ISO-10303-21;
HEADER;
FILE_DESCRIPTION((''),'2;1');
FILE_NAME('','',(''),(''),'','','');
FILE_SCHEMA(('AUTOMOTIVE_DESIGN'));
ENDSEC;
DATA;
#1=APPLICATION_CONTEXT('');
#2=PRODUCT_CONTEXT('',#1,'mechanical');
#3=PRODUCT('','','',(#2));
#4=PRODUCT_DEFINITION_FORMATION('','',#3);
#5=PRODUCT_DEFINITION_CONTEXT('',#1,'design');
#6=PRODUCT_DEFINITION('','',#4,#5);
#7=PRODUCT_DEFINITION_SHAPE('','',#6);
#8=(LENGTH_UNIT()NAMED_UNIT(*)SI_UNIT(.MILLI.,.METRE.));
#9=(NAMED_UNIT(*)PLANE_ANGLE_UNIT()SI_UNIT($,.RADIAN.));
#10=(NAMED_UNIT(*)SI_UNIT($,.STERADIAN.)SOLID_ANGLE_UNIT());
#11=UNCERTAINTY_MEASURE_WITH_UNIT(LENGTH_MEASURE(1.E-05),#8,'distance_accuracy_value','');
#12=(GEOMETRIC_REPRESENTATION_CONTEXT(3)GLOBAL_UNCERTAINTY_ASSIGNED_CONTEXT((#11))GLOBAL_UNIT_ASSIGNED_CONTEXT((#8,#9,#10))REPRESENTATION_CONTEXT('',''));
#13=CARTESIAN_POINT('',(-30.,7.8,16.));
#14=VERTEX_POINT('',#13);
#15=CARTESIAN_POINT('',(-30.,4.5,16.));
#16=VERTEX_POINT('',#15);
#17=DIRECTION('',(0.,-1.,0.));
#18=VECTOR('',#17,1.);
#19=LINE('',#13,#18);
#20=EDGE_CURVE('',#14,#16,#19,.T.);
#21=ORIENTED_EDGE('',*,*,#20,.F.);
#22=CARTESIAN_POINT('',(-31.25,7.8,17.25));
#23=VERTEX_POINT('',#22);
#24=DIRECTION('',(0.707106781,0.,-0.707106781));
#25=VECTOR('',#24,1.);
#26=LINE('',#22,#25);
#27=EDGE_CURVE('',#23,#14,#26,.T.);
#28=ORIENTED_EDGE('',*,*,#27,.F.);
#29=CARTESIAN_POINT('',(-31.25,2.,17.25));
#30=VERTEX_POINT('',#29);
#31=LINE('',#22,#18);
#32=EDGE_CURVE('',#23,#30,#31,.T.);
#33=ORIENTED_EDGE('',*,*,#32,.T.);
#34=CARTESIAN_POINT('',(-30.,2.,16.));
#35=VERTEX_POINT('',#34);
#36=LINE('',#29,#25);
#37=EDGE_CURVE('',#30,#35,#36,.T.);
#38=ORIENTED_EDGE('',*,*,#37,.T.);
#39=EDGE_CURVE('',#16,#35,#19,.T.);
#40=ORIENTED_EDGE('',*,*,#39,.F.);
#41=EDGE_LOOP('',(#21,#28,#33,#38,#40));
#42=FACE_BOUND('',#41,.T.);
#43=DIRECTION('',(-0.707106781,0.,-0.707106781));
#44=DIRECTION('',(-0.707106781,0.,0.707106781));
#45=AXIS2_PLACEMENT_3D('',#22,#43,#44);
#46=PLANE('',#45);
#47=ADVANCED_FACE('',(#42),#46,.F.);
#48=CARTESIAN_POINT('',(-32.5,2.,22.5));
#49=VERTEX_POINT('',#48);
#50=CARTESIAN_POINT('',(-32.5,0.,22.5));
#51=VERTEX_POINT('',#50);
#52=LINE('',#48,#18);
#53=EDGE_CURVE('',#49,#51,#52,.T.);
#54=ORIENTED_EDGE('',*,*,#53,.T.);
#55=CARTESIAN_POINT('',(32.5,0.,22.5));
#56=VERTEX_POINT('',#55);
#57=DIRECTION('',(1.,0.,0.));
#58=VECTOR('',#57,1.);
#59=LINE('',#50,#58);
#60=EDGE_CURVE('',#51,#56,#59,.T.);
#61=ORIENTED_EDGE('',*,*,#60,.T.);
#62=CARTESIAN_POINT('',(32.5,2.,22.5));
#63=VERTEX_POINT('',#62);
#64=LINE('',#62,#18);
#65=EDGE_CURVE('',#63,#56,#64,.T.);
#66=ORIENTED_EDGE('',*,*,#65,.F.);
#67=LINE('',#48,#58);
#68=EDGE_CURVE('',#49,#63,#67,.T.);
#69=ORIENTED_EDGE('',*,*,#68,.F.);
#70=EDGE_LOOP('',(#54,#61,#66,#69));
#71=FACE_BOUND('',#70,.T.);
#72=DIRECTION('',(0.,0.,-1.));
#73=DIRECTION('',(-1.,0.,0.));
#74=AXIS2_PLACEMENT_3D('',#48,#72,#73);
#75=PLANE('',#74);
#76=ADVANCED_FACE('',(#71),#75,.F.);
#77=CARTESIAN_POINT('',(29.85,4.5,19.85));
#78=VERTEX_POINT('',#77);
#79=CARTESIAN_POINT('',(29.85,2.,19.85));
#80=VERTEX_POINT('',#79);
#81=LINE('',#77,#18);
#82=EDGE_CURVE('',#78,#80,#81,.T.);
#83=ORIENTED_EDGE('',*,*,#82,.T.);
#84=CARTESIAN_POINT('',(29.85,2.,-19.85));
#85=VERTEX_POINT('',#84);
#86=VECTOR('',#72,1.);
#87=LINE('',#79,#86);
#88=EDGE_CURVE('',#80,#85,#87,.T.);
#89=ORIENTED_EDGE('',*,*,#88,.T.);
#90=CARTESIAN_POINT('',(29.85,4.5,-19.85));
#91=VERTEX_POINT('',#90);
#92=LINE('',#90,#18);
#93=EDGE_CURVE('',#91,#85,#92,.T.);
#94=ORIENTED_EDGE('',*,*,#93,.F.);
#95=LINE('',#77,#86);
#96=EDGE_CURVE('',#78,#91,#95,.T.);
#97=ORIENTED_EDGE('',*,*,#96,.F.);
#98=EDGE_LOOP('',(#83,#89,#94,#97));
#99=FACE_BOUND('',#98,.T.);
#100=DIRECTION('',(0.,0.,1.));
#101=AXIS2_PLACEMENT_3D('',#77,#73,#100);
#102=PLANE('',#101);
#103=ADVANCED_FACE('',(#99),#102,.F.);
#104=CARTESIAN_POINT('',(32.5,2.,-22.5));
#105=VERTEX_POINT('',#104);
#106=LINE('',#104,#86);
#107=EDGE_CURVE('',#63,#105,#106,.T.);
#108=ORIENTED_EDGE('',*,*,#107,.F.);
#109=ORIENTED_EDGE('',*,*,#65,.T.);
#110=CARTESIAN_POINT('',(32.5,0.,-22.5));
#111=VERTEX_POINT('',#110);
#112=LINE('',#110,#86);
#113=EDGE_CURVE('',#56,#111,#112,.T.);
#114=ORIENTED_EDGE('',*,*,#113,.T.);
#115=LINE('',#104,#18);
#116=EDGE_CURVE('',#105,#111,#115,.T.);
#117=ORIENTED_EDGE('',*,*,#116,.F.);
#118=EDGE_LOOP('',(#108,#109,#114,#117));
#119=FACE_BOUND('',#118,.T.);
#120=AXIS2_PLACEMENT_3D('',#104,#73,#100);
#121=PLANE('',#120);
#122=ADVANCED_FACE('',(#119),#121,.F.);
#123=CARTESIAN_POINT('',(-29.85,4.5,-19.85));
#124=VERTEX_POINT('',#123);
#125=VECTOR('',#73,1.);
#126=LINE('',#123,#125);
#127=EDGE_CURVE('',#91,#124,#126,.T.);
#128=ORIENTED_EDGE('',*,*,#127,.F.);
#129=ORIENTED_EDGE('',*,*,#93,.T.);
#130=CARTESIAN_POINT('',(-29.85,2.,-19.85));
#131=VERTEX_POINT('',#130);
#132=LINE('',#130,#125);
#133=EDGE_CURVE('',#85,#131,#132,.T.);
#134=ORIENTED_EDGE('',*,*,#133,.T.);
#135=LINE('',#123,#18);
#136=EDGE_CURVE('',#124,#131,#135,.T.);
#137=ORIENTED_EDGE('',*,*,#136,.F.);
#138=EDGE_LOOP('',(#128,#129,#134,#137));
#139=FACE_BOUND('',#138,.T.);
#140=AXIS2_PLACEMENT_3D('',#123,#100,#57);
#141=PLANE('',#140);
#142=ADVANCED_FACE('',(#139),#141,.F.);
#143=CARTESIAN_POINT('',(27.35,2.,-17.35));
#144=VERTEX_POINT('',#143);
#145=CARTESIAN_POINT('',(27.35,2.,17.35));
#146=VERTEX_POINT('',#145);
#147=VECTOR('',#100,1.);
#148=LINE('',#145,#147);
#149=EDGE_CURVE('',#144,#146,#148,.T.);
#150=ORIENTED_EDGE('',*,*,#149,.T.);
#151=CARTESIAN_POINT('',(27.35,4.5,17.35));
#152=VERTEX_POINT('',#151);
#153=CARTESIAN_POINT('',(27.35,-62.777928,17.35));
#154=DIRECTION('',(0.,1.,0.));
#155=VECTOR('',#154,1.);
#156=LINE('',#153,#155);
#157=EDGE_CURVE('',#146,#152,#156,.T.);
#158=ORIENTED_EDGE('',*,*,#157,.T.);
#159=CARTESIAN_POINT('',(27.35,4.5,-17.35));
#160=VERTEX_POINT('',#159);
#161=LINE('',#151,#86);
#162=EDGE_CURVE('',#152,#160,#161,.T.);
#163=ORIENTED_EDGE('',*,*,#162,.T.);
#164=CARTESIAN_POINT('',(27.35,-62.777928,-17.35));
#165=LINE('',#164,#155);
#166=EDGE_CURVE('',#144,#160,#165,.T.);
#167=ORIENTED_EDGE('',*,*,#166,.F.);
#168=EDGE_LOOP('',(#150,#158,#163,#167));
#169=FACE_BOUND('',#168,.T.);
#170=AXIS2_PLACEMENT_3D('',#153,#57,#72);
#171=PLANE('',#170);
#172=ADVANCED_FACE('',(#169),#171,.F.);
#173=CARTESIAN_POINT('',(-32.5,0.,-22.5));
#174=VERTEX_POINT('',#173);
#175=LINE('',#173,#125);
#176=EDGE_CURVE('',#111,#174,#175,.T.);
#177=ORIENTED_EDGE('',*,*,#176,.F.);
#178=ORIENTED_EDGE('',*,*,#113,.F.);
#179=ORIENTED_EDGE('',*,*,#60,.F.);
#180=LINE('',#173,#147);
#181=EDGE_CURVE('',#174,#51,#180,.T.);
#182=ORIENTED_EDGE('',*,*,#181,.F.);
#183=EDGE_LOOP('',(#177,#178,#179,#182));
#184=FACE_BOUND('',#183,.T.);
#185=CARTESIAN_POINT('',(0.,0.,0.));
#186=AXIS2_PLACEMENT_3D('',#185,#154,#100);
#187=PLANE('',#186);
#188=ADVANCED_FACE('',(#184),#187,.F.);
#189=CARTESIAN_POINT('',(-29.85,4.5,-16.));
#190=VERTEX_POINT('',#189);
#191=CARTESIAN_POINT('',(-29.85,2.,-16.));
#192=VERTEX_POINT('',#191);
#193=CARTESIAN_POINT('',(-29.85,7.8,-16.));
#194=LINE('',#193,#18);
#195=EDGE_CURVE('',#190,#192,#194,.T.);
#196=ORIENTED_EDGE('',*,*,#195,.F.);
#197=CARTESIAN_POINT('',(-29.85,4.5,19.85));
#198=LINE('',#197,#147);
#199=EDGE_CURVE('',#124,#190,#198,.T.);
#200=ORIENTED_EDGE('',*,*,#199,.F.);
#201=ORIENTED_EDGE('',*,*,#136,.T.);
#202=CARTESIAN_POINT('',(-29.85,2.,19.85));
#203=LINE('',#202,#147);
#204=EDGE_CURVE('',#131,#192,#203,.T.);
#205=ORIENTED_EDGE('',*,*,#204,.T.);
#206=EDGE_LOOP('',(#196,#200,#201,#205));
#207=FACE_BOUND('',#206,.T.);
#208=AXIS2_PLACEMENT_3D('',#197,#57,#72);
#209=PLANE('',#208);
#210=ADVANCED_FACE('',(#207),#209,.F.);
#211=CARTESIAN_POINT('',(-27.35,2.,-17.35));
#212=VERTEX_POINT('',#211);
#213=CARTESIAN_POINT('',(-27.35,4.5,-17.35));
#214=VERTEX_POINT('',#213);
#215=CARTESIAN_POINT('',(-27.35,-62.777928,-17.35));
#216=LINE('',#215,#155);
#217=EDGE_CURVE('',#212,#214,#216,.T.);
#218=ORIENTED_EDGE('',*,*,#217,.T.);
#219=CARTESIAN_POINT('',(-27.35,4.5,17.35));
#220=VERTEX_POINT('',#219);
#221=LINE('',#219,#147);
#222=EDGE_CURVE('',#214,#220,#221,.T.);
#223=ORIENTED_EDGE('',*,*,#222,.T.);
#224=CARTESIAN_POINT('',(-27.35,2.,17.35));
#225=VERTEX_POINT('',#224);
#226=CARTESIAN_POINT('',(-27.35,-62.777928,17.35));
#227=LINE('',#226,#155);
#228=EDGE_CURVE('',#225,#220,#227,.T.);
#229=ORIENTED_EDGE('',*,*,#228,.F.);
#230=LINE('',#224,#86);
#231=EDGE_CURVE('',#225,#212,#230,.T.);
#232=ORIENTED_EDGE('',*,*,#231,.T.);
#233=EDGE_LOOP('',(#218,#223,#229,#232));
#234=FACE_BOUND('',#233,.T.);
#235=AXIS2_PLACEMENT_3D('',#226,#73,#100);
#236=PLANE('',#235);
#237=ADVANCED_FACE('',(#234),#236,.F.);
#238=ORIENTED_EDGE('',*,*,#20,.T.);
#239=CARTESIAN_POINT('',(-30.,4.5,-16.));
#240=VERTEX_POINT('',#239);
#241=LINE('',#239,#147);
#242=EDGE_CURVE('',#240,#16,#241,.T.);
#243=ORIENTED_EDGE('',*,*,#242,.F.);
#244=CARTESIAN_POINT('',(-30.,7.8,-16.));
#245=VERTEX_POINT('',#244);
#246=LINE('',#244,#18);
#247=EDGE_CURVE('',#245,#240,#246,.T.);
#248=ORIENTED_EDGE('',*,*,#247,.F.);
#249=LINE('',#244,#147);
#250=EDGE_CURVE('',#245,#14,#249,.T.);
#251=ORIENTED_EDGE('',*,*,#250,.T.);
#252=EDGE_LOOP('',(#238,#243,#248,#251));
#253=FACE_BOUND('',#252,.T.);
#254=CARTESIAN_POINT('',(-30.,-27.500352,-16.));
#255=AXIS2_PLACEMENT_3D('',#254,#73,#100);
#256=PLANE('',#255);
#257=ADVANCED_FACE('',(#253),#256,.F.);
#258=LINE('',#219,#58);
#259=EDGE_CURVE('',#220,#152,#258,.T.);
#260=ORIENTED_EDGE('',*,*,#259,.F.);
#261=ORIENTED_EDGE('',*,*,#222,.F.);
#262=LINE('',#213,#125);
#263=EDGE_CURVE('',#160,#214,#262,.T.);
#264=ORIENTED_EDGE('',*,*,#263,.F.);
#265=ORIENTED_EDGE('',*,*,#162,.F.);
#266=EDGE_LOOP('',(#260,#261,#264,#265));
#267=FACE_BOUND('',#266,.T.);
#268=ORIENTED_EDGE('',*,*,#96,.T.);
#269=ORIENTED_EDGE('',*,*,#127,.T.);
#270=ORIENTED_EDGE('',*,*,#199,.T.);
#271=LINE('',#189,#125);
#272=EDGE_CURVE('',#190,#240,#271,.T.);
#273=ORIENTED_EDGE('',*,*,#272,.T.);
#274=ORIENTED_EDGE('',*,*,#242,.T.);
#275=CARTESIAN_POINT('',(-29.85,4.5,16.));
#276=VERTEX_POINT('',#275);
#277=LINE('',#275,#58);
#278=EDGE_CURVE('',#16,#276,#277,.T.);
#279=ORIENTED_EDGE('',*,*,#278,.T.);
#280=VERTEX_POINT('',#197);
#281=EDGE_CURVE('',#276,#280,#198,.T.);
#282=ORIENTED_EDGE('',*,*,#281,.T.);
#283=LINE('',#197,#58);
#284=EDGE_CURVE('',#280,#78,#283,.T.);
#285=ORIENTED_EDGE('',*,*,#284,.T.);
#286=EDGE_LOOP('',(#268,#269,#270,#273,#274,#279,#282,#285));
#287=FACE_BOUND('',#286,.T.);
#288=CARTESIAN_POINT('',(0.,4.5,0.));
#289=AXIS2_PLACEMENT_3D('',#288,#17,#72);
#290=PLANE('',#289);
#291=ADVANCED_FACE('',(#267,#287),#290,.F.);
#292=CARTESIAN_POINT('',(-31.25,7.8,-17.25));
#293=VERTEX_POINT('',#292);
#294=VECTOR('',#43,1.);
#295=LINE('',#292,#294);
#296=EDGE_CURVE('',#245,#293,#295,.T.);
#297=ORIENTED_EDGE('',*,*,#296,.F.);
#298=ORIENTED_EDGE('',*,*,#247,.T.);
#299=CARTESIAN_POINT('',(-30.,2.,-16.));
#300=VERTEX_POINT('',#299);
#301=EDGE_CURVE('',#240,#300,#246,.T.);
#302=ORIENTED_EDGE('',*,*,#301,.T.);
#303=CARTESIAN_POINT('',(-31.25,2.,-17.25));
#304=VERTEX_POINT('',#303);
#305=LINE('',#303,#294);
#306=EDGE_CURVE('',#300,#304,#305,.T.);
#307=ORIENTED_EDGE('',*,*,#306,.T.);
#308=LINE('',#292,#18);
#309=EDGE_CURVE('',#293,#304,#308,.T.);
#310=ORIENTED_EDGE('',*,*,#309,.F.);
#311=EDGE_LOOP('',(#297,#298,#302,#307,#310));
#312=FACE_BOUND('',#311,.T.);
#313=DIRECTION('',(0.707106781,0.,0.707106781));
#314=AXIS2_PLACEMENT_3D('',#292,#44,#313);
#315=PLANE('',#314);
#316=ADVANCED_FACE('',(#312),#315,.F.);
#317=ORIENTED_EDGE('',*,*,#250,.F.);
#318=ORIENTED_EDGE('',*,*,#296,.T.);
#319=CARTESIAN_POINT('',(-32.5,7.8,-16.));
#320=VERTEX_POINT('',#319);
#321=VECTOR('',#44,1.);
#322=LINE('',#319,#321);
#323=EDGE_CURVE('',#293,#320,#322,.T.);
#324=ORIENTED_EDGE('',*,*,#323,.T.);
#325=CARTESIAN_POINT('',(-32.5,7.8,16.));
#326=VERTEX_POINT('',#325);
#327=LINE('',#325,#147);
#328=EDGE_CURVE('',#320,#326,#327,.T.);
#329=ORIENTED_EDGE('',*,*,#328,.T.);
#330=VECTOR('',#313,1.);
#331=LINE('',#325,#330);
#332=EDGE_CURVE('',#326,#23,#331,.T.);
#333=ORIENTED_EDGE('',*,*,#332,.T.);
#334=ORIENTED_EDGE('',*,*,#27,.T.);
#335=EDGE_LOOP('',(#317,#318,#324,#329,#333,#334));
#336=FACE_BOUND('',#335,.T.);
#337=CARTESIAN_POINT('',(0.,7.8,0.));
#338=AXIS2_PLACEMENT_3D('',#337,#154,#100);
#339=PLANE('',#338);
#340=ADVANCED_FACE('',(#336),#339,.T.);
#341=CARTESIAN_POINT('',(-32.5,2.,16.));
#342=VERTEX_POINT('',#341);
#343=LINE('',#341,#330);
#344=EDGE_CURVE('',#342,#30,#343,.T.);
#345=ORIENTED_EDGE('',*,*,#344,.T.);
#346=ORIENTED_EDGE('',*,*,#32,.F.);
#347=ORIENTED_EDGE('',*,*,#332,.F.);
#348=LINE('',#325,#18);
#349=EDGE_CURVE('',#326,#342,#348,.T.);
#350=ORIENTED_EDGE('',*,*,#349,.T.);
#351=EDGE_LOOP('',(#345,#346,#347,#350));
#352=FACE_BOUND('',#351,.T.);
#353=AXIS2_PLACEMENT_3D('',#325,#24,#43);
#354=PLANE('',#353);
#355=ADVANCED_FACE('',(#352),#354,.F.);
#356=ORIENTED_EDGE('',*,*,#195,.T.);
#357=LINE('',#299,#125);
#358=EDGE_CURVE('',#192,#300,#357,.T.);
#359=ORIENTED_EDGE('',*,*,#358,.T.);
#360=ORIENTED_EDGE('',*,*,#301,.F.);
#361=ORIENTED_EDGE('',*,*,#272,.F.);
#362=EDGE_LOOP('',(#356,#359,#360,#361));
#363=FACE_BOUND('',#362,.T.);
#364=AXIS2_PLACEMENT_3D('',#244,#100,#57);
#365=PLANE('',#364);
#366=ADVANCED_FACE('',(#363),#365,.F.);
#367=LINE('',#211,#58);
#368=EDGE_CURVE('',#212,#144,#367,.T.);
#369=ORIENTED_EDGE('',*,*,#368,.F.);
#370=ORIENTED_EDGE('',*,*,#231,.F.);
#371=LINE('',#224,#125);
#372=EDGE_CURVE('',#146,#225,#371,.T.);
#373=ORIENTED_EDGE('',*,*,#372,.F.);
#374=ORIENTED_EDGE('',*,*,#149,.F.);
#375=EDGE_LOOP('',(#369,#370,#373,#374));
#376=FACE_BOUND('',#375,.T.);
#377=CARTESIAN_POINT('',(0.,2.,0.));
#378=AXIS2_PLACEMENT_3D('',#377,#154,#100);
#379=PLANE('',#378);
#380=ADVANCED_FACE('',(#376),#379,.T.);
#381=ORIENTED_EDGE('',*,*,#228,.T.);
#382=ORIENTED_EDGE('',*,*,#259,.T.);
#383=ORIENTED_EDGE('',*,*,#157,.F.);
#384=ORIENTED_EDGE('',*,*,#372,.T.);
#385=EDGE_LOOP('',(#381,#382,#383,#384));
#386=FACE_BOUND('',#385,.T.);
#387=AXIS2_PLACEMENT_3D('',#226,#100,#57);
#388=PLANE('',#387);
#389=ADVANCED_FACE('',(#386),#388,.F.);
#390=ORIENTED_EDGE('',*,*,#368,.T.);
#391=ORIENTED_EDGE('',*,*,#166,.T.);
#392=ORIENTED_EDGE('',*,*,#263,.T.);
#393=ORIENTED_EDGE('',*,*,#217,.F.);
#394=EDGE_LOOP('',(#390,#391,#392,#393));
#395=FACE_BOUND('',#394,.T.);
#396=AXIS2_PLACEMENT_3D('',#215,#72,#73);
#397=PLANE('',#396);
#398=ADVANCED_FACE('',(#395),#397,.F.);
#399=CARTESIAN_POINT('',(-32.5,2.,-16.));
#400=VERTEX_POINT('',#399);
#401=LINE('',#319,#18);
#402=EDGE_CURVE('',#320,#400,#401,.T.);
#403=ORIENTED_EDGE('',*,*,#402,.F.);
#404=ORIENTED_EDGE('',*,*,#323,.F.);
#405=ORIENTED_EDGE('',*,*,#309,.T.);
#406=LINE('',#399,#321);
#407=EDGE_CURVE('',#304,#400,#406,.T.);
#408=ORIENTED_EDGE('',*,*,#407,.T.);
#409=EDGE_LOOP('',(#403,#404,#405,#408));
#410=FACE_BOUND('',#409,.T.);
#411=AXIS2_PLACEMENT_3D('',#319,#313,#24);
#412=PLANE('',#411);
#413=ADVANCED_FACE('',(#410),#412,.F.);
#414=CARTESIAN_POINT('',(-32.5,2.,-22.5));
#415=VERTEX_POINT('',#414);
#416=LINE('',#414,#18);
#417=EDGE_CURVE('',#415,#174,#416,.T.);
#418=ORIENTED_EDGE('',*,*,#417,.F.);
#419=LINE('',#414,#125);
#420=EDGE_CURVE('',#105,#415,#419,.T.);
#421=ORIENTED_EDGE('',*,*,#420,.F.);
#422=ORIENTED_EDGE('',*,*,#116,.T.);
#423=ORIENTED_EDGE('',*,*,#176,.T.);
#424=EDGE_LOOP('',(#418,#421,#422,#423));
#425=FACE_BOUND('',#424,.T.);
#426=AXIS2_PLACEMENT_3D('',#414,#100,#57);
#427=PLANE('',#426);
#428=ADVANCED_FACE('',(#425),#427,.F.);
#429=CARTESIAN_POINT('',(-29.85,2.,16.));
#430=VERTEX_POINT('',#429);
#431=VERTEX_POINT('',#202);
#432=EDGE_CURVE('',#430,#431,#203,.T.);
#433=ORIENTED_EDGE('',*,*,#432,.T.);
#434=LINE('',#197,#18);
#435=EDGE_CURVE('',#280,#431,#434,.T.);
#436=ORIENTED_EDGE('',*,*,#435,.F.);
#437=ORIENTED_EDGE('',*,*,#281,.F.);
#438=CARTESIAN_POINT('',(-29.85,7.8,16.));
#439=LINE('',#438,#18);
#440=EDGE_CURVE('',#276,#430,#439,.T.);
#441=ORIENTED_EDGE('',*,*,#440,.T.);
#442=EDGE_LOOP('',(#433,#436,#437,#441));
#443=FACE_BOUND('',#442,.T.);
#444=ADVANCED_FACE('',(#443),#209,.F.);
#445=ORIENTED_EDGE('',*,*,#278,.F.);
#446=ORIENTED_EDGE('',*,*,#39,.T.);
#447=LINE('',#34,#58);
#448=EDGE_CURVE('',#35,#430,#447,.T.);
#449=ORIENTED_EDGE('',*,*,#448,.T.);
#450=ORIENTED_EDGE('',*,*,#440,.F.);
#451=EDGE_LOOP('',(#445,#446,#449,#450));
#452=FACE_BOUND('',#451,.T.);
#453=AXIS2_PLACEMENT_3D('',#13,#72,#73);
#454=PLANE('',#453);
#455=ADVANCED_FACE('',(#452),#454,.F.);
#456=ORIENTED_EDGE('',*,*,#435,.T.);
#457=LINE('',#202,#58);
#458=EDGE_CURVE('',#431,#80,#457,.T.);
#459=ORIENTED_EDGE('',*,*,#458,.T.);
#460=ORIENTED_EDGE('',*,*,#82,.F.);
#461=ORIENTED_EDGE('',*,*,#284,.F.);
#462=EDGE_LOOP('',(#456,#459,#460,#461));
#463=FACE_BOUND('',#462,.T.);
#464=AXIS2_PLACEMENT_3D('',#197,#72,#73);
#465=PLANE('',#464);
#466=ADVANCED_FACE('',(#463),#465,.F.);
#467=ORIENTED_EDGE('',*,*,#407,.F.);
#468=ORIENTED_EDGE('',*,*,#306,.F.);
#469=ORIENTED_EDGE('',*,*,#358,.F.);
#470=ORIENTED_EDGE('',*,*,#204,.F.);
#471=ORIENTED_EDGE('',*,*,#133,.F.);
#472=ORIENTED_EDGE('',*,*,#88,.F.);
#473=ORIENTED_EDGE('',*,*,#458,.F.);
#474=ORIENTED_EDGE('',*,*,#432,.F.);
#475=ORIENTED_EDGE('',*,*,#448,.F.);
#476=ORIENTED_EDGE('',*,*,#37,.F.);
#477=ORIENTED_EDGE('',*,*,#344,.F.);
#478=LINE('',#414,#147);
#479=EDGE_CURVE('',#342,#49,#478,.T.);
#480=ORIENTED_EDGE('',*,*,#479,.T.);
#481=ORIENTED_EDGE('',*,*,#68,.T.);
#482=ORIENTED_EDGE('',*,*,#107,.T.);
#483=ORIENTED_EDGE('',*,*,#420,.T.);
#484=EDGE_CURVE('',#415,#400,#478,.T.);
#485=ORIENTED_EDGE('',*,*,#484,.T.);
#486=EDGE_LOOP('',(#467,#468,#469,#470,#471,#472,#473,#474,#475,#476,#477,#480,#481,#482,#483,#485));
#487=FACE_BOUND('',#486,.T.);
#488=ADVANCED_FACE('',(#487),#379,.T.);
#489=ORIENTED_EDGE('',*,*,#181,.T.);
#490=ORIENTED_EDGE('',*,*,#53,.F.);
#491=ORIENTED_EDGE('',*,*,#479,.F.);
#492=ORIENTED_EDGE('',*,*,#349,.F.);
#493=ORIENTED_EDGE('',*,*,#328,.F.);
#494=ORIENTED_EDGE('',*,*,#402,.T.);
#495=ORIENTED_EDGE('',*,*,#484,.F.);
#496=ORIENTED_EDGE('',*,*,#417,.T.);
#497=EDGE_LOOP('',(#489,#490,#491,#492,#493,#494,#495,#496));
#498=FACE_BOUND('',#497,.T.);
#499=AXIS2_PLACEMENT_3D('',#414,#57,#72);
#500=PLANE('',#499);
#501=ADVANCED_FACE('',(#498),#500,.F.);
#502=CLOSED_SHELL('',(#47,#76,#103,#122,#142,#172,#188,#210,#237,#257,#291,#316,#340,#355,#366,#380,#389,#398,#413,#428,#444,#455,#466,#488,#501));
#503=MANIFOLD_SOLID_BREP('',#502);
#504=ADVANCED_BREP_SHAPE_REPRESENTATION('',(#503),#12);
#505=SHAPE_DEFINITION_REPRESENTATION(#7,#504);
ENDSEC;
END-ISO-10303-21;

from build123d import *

# Parameters (mm, degrees)
SKETCH_1_W          = 65
SKETCH_1_H          = 45
EXTRUDE_1_DEPTH     = 2
SKETCH_2_W          = 59.7
SKETCH_2_H          = 39.7
EXTRUDE_2_DEPTH     = 2.5
EXTRUDE_3_DEPTH     = 5.8
SKETCH_4_W          = 0.15
SKETCH_4_H          = 32
CUT_EXTRUDE_1_DEPTH = 3.3
SKETCH_5_W          = 54.7
SKETCH_5_H          = 34.7
CUT_EXTRUDE_2_DEPTH = 2.5


with BuildPart() as part:
    # 草图1 → 凸台-拉伸1 (new body)
    with BuildSketch(Plane(origin=(0, 0, 0), x_dir=(1, 0, 0), z_dir=(0, 1, 0))):
        Rectangle(SKETCH_1_W, SKETCH_1_H)
    extrude(amount=EXTRUDE_1_DEPTH)

    # 草图2 → 凸台-拉伸2 (add)
    with BuildSketch(Plane(origin=(0, 2, 0), x_dir=(1, 0, 0), z_dir=(0, 1, 0))):
        Rectangle(SKETCH_2_W, SKETCH_2_H)
    extrude(amount=EXTRUDE_2_DEPTH)

    # 草图3 → 凸台-拉伸3 (add)
    with BuildSketch(Plane(origin=(0, 2, 0), x_dir=(1, 0, 0), z_dir=(0, 1, 0))):
        Polygon((-30, -16), (-29.85, -16), (-29.85, 16), (-30, 16), (-31.25, 17.25), (-32.5, 16), (-32.5, -16), (-31.25, -17.25), align=None)
    extrude(amount=EXTRUDE_3_DEPTH)

    # 草图4 → 切除-拉伸1 (cut)
    with BuildSketch(Plane(origin=(0, 7.8, 0), x_dir=(1, 0, 0), z_dir=(0, 1, 0))):
        with Locations((-29.925, 0)):
            Rectangle(SKETCH_4_W, SKETCH_4_H)
    extrude(amount=-CUT_EXTRUDE_1_DEPTH, mode=Mode.SUBTRACT)

    # 草图5 → 切除-拉伸2 (cut)
    with BuildSketch(Plane(origin=(0, 4.5, 0), x_dir=(1, 0, 0), z_dir=(0, 1, 0))):
        Rectangle(SKETCH_5_W, SKETCH_5_H)
    extrude(amount=-CUT_EXTRUDE_2_DEPTH, mode=Mode.SUBTRACT)


solid = part.part
